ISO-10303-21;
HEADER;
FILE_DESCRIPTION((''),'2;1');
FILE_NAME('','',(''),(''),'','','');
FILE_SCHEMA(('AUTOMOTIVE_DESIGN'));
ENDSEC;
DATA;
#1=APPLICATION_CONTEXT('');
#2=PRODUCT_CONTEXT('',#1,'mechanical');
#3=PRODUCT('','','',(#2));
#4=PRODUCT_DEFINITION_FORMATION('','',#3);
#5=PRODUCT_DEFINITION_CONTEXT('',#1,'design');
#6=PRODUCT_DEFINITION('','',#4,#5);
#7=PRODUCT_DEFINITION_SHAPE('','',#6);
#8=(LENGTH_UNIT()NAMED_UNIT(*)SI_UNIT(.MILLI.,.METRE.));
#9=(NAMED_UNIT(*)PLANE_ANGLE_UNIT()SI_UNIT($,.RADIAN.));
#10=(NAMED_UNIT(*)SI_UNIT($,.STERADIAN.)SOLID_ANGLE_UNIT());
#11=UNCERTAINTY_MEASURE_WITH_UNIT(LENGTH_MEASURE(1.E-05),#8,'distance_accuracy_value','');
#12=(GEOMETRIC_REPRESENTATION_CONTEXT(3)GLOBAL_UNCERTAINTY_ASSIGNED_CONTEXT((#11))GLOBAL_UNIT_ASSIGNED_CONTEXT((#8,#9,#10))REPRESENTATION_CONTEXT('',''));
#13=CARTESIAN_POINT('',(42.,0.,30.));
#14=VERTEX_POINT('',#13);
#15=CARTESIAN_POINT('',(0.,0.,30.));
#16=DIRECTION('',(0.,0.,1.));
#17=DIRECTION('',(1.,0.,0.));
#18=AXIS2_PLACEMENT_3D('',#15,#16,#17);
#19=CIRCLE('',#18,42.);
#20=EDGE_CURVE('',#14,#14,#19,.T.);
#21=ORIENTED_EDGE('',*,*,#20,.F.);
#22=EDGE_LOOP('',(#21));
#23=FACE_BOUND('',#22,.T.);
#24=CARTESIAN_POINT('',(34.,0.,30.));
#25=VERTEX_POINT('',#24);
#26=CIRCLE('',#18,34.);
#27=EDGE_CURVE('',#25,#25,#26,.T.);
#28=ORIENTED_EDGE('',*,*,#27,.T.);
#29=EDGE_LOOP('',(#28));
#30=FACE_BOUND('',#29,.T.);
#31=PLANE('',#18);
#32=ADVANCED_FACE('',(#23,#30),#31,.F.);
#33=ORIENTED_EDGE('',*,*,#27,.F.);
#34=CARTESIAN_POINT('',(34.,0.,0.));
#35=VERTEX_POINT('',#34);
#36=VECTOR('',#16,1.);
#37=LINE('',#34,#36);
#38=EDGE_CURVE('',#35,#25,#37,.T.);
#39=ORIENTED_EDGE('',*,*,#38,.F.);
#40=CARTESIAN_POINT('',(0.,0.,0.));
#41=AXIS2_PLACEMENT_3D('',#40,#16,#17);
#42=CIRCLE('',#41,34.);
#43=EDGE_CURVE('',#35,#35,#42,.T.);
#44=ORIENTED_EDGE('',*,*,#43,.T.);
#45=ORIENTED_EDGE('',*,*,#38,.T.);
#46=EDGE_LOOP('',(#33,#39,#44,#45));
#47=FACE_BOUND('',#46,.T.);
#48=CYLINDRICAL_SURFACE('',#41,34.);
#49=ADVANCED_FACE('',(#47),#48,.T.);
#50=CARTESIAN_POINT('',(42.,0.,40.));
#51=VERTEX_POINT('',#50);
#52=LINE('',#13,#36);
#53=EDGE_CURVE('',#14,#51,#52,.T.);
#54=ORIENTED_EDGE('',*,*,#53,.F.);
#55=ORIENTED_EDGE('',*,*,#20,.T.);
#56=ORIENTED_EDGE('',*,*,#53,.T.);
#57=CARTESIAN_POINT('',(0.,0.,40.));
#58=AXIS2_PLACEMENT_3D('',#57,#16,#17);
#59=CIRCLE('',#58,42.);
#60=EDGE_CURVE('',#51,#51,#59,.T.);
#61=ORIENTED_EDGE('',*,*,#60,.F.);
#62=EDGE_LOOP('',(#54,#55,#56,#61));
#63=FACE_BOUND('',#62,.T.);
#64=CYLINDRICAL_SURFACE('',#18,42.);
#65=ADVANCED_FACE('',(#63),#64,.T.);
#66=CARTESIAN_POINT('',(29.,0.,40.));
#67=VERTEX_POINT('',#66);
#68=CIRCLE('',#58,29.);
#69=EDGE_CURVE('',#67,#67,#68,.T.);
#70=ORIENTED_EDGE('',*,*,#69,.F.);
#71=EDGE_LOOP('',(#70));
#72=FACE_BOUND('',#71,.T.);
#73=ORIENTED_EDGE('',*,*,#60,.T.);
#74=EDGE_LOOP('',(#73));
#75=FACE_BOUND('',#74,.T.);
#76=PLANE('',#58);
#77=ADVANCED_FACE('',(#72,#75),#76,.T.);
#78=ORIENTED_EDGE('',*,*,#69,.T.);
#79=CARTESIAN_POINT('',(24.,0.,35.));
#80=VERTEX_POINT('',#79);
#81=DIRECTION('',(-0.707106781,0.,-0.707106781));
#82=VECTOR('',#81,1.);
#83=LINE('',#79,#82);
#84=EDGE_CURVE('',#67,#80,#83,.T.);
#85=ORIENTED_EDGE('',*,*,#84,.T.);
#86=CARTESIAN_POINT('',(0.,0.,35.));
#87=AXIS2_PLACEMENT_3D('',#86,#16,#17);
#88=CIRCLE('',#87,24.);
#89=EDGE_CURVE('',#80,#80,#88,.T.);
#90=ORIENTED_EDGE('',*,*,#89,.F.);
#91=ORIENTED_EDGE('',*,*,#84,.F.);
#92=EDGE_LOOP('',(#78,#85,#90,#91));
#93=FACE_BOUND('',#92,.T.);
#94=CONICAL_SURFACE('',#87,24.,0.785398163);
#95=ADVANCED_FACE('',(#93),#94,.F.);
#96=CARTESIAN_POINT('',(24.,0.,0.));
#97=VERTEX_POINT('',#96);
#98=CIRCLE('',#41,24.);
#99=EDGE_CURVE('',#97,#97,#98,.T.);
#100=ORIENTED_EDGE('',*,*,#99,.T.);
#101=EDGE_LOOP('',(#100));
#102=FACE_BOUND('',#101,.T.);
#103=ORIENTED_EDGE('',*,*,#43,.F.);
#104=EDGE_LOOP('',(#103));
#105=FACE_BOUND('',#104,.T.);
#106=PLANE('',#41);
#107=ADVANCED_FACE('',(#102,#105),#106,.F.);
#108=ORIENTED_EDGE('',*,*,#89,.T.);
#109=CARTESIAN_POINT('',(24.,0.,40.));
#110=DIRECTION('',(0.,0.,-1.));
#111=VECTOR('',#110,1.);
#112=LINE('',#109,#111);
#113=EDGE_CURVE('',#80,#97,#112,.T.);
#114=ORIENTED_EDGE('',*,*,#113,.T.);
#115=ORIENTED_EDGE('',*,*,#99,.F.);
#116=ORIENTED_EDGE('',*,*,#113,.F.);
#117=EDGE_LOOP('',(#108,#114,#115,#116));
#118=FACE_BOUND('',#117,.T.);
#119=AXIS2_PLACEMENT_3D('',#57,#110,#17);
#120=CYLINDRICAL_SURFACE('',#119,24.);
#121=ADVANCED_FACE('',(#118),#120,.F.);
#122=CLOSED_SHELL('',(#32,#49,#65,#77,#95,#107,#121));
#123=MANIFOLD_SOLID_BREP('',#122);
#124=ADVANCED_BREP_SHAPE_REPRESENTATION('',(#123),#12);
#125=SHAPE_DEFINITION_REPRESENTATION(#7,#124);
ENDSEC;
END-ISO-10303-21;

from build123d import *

# Parameters (mm, degrees)
F2_SIZE = 5


with BuildPart() as f1:
    # F0 (on Front) → F1 (revolve)
    with BuildSketch(Plane.XZ):
        Polygon((24, 0), (34, 0), (34, 30), (42, 30), (42, 40), (24, 40), align=None)
    revolve(axis=Axis((0, 0, 19.748865), (0, 0, 1)))

    # F2
    f2_edges = [f1.edges().sort_by_distance(p)[0] for p in [
        (-24, 0, 40),
    ]]
    chamfer(f2_edges, length=F2_SIZE)


solid = f1.part
